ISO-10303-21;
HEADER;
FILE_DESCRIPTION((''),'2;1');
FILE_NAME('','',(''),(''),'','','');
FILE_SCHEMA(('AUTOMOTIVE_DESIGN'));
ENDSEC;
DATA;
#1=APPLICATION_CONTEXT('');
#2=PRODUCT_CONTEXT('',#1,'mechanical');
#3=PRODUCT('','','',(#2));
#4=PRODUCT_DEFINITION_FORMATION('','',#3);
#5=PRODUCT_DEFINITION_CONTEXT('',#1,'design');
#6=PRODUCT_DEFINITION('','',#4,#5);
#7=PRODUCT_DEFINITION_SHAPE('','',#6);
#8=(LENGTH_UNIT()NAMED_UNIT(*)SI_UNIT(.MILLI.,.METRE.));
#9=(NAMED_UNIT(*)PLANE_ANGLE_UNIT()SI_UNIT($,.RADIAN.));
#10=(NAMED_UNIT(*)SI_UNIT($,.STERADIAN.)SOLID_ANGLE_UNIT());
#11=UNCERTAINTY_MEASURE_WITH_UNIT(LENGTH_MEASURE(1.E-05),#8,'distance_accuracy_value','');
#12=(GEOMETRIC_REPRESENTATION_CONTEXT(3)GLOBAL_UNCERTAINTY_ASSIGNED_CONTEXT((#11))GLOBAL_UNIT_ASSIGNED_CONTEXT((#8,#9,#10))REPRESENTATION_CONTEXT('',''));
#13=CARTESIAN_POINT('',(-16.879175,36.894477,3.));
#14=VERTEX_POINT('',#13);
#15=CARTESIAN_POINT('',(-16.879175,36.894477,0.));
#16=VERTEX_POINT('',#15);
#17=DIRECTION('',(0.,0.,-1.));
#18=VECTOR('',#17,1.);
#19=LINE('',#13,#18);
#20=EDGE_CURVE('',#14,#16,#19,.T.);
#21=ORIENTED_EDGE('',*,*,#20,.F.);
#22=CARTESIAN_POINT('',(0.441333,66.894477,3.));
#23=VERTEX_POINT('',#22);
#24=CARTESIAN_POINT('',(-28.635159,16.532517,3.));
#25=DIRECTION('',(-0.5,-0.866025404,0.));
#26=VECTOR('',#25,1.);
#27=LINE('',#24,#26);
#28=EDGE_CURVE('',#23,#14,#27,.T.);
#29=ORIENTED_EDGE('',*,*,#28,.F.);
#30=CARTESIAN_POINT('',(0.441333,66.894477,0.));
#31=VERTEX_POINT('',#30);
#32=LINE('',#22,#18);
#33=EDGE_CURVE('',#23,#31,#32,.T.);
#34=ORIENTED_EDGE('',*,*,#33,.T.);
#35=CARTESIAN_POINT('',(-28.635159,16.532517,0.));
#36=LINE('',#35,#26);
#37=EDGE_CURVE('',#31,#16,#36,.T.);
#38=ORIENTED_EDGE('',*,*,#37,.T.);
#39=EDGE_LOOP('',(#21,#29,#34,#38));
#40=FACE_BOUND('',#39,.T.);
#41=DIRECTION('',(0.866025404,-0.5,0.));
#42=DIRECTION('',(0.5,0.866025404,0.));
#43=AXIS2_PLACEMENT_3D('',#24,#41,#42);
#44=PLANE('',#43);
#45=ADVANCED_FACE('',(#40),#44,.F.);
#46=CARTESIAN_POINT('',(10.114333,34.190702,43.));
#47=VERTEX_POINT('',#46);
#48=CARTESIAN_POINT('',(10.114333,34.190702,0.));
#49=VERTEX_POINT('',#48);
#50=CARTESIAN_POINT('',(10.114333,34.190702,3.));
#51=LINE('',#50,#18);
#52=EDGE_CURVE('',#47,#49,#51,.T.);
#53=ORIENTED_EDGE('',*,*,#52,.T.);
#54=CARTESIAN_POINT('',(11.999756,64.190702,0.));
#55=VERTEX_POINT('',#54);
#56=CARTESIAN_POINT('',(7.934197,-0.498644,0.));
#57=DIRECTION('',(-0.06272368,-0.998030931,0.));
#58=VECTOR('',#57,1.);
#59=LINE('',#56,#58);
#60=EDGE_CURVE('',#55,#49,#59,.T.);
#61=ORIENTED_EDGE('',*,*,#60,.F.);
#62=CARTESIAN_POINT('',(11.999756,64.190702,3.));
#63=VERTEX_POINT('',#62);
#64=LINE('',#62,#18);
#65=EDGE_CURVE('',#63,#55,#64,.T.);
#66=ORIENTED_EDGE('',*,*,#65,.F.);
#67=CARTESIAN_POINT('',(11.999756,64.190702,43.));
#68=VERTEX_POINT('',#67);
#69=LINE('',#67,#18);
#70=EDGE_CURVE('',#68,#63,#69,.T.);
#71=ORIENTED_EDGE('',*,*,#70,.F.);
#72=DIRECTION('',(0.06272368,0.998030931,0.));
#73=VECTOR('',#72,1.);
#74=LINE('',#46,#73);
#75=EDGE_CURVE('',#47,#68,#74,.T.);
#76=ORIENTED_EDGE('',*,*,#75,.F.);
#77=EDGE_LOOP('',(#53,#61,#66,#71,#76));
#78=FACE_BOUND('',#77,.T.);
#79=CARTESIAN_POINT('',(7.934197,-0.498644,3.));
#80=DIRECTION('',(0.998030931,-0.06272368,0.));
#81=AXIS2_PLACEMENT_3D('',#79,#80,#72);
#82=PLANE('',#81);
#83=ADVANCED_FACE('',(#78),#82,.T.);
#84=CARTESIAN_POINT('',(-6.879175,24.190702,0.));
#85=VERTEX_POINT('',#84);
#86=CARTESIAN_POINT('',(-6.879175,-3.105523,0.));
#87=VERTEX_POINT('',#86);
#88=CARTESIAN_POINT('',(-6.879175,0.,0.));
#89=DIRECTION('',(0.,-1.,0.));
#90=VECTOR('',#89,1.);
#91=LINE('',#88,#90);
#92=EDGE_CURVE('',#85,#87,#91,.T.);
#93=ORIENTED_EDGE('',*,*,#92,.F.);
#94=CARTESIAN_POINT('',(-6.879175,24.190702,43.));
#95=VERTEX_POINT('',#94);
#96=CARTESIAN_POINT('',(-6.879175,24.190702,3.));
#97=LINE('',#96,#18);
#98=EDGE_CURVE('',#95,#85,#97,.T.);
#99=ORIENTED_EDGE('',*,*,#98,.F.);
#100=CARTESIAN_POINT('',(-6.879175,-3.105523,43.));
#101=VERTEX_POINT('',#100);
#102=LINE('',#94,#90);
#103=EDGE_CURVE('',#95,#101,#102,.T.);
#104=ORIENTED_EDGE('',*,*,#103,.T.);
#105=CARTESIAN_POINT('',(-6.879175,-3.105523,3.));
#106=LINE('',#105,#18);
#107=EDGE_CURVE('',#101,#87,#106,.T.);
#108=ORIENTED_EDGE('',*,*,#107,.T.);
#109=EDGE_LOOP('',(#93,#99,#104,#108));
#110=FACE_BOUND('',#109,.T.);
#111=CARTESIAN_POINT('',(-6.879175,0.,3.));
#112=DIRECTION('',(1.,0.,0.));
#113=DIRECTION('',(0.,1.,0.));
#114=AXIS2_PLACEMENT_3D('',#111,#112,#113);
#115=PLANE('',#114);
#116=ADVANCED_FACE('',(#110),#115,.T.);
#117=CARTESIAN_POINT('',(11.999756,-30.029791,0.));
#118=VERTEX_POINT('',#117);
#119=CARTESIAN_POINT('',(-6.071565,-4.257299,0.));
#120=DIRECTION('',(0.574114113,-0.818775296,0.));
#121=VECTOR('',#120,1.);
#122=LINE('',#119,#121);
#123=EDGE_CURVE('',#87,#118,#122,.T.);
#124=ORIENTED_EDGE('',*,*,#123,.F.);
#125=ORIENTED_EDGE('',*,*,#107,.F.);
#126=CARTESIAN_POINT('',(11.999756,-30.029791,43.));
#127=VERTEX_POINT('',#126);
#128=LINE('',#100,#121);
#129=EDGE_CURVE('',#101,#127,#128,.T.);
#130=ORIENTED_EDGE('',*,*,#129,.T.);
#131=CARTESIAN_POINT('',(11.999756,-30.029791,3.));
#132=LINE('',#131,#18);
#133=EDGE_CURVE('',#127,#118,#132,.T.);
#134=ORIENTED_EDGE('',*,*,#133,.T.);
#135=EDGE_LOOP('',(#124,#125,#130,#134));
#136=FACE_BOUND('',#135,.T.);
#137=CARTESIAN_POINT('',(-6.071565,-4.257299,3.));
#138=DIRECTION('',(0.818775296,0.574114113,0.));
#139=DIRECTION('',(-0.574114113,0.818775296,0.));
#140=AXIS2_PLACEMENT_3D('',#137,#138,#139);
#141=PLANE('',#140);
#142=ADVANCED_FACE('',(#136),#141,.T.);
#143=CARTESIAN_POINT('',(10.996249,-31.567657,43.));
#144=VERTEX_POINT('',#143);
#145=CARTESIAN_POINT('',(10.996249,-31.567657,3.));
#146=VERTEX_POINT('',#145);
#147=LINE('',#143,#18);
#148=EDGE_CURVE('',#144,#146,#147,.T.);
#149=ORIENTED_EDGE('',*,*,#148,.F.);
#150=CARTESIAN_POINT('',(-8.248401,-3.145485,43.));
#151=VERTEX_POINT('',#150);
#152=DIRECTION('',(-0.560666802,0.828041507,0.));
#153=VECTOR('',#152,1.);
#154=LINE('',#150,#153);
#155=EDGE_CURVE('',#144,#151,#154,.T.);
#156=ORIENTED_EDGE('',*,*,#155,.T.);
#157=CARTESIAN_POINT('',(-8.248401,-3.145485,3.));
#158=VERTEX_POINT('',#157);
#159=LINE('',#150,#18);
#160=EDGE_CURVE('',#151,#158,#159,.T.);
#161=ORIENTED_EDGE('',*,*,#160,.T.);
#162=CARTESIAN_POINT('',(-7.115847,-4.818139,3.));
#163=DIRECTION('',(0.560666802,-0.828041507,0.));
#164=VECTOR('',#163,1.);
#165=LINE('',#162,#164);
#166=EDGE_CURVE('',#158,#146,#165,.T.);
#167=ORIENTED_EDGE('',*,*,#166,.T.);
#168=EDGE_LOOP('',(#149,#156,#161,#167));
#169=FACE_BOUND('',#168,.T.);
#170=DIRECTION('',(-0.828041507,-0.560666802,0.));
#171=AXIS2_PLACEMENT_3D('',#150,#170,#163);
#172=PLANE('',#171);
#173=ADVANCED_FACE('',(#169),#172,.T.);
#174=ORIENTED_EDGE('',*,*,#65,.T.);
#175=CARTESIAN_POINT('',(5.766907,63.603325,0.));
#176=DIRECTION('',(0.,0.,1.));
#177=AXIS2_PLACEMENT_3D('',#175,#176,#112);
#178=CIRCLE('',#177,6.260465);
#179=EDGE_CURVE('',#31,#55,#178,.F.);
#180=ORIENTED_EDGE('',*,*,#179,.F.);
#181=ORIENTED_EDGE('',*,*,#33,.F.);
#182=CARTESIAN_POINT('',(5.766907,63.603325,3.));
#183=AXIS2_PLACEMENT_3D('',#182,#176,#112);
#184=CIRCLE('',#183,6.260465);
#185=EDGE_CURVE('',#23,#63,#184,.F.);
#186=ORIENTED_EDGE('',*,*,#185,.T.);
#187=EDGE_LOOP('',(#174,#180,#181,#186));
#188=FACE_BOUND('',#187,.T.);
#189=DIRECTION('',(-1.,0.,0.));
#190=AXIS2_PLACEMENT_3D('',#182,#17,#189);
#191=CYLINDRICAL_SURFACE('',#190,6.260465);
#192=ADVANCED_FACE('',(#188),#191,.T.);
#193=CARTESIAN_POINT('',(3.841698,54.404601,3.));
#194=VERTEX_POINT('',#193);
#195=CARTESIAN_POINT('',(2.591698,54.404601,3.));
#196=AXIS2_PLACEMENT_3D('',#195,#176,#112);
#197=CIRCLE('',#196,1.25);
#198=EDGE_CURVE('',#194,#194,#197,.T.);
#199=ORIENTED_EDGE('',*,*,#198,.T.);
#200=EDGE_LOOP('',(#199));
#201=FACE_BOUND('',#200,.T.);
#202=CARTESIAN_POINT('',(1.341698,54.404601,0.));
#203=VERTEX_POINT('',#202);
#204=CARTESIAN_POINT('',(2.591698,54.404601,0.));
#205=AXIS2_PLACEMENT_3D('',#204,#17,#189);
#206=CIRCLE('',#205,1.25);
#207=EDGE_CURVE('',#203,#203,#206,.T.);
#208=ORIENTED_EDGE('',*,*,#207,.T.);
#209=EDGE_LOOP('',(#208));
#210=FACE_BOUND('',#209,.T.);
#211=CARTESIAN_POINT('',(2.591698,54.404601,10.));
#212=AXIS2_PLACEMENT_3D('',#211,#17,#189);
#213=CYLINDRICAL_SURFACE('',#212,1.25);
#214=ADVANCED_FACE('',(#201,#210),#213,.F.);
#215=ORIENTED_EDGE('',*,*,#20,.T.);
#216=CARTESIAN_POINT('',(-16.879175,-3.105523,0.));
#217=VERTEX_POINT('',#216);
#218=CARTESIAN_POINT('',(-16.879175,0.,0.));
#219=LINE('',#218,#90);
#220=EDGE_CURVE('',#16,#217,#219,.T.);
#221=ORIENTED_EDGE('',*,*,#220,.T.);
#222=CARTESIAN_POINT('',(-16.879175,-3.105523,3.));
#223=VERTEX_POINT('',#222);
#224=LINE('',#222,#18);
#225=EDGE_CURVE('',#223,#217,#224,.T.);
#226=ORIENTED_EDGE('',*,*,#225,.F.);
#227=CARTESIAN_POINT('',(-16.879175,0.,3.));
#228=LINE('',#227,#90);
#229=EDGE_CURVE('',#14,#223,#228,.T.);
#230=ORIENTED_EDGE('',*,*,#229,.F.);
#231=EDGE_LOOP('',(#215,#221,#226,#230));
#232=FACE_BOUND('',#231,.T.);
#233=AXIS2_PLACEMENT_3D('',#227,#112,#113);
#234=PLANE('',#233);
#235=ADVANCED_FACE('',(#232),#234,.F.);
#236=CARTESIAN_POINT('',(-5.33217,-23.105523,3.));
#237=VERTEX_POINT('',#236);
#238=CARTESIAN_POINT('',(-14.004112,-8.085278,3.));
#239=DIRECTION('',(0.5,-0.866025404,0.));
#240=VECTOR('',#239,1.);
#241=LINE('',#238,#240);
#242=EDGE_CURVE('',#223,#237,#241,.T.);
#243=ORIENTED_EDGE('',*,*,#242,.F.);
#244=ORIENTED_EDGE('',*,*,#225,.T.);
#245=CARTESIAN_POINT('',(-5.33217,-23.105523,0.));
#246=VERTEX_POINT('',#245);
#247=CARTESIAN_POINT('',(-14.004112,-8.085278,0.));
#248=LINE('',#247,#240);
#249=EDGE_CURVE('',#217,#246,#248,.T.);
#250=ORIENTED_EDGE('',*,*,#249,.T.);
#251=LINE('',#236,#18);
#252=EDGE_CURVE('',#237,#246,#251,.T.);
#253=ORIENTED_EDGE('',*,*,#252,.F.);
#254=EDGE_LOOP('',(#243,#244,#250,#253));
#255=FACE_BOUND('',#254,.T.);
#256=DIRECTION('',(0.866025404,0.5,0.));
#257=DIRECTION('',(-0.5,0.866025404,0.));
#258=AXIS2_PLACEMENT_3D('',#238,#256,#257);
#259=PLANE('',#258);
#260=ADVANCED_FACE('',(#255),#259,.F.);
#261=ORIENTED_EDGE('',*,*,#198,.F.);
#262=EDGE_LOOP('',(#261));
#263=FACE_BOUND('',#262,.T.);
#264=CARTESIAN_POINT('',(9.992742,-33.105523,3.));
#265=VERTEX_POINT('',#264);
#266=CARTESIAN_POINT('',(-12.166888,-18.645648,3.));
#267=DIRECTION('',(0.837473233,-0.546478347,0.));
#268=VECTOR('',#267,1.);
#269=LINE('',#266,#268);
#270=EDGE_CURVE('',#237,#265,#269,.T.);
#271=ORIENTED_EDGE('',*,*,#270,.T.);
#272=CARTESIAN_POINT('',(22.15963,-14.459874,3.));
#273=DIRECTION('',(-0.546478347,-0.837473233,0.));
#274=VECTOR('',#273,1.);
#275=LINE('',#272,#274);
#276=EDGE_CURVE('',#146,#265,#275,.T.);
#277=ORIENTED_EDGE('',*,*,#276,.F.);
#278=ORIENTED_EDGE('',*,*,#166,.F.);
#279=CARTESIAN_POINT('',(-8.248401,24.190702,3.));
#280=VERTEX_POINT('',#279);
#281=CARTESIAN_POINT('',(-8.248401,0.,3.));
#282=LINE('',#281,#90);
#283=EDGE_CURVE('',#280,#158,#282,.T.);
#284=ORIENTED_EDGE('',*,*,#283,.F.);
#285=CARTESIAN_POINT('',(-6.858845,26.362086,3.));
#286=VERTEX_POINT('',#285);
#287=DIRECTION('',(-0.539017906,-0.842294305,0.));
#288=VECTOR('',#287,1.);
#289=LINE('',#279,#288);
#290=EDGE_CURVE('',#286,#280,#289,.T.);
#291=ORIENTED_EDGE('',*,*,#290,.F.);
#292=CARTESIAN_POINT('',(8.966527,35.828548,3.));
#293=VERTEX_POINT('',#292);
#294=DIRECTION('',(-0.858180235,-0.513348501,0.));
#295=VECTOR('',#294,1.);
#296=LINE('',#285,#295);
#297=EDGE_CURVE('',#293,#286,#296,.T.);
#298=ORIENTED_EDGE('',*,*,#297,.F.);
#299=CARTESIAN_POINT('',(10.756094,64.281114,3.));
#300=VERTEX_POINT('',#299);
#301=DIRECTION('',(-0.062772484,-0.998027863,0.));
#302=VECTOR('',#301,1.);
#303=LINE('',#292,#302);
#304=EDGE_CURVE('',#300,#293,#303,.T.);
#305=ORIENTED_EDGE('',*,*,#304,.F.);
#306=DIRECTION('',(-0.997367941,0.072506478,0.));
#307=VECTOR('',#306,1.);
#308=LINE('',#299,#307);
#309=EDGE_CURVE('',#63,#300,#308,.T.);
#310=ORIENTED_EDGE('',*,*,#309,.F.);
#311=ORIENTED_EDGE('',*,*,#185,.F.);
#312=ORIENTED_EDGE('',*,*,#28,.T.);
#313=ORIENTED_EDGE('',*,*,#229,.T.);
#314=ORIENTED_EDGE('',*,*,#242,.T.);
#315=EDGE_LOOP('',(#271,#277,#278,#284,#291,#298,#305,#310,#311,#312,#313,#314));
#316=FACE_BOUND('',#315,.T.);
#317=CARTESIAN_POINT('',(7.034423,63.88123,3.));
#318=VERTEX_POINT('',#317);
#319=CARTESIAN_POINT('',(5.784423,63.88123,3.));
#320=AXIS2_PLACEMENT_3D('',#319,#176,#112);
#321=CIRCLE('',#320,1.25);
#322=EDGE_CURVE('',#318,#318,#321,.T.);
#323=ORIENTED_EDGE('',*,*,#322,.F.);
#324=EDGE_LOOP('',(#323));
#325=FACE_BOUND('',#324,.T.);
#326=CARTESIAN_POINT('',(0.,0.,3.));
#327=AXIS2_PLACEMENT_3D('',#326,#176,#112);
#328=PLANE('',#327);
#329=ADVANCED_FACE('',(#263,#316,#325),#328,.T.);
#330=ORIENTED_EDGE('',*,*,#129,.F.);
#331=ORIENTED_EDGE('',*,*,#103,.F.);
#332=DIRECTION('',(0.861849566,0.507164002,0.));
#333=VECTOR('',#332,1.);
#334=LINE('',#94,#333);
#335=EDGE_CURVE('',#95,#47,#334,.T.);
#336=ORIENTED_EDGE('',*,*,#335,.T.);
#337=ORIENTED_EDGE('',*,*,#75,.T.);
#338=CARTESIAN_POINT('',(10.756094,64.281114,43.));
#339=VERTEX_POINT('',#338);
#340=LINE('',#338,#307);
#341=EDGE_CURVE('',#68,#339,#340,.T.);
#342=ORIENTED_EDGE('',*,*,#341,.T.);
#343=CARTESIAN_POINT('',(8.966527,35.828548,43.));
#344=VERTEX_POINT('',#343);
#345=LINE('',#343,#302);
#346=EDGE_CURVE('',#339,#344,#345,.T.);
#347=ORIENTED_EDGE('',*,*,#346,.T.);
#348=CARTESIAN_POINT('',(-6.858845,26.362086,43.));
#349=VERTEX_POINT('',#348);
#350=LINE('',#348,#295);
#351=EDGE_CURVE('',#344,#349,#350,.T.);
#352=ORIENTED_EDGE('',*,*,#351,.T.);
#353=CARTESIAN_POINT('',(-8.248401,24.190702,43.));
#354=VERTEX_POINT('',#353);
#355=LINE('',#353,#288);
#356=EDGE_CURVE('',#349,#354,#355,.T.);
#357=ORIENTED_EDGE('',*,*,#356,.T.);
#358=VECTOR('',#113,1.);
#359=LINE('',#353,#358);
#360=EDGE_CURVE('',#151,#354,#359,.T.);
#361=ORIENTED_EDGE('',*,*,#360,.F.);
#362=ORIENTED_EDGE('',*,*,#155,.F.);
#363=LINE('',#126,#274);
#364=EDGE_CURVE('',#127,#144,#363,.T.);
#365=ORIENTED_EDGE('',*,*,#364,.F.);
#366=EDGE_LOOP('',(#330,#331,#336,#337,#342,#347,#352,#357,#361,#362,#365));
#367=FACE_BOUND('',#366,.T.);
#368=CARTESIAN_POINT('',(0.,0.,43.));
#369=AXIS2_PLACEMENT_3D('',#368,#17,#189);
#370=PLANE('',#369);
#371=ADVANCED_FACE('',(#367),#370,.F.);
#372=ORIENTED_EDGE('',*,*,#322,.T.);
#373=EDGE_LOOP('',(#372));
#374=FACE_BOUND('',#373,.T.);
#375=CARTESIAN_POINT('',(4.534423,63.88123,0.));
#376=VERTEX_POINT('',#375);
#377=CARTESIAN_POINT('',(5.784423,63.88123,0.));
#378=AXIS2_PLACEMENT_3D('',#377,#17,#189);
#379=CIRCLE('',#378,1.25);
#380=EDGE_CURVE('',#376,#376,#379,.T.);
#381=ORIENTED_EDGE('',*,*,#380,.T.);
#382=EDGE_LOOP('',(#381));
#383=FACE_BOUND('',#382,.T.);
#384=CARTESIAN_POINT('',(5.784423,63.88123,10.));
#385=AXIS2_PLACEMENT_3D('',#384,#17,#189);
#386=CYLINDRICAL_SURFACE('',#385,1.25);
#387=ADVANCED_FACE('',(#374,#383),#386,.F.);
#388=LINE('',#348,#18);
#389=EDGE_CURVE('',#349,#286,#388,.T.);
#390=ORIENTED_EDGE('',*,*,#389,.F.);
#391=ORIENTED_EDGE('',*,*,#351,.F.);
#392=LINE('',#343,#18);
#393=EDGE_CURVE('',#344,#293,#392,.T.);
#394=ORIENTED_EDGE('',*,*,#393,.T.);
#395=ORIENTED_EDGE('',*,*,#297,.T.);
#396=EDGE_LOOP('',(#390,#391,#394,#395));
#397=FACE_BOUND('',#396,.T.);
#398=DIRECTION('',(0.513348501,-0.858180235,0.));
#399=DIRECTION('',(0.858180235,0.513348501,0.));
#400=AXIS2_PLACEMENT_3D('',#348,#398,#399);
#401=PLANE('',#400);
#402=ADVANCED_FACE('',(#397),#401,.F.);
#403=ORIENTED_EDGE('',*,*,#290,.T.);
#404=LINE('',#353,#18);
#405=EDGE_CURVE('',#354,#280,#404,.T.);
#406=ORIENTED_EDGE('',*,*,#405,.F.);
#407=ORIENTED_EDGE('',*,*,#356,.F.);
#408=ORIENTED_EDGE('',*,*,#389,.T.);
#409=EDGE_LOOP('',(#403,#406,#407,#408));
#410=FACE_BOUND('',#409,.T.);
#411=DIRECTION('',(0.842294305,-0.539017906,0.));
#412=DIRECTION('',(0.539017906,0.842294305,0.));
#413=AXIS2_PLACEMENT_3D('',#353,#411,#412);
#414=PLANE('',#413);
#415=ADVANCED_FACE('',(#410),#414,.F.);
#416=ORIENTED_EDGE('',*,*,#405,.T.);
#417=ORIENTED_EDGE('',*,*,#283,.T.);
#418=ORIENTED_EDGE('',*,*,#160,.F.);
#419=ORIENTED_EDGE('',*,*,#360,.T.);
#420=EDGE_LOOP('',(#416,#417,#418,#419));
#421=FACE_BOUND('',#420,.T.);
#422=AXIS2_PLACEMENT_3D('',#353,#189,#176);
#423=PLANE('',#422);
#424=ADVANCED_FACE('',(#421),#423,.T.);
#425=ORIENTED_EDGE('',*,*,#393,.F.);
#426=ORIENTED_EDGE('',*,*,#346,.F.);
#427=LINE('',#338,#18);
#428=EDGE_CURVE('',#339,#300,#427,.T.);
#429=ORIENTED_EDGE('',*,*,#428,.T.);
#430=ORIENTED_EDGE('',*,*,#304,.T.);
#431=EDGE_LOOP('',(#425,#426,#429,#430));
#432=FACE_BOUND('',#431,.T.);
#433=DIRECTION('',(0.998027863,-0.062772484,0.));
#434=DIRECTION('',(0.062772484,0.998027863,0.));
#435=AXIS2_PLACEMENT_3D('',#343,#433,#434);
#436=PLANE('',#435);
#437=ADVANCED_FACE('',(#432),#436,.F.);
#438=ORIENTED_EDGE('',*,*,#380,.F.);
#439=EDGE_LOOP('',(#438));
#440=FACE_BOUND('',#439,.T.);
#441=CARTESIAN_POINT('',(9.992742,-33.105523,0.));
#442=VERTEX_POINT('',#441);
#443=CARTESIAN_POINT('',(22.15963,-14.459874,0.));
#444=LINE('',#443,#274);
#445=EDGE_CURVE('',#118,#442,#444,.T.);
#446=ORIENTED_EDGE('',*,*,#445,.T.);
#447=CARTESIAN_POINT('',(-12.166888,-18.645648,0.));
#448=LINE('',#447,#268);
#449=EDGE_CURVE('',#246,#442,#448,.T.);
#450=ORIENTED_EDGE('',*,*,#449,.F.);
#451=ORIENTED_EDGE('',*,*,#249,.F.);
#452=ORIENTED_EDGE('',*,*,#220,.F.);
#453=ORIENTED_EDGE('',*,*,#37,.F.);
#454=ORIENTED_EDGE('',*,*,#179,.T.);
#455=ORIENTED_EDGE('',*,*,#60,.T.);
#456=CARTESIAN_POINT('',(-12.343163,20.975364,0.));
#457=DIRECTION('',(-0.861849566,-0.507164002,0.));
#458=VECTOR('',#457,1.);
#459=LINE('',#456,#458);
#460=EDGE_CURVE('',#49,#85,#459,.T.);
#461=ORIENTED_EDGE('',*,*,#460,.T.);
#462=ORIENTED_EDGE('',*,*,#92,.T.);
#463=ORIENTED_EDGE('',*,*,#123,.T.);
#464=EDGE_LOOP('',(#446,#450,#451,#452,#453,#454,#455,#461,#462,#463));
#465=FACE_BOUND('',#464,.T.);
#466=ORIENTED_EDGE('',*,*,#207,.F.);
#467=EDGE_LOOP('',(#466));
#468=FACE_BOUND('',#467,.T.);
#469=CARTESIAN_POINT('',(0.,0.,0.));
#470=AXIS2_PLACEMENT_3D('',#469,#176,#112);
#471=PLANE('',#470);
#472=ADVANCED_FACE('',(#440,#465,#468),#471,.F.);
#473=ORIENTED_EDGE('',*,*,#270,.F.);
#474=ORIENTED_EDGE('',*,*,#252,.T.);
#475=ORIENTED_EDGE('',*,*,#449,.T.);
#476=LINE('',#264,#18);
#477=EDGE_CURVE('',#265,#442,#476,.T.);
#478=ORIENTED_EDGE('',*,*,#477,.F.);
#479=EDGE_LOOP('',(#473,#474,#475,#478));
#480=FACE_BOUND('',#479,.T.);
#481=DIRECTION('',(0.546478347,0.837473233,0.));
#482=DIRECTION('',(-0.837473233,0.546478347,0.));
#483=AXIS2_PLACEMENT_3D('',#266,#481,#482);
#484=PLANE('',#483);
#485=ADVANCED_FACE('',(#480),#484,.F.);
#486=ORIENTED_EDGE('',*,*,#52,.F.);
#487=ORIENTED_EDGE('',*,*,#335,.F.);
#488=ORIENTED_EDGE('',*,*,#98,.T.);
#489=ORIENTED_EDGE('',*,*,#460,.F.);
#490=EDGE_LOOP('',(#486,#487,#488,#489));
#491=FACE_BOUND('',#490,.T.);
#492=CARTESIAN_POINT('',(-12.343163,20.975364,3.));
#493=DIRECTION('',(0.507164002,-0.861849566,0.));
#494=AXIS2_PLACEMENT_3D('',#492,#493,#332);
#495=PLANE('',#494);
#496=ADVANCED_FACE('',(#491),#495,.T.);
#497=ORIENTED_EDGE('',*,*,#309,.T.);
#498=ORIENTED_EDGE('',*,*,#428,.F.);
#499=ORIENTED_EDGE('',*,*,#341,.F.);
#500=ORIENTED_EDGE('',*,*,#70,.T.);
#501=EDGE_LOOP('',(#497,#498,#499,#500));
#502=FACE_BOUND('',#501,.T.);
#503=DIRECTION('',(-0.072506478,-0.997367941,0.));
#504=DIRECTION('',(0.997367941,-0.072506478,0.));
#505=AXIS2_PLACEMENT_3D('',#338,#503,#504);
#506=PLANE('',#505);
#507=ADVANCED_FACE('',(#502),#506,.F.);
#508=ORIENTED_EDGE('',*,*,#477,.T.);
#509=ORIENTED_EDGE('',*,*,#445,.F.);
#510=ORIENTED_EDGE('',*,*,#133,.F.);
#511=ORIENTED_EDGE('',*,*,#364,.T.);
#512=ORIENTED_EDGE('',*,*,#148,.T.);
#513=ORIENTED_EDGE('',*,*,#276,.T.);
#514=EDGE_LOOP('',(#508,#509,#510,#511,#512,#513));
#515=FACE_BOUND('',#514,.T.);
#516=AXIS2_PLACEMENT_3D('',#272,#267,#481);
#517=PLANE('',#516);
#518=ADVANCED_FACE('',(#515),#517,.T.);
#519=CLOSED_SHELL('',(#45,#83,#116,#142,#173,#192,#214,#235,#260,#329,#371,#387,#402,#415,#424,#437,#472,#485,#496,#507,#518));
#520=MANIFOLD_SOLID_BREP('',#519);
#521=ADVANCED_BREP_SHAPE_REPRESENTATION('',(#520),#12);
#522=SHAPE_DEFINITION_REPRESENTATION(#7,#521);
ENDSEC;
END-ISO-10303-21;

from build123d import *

# Parameters (mm, degrees)
EXTRUDE_4_DEPTH     = 3
EXTRUDE_6_DEPTH     = 43
EXTRUDE_7_DEPTH     = 40
EXTRUDE_8_DEPTH     = 40
SKETCH_14_R         = 1.25
CUT_EXTRUDE_3_DEPTH = 10


with BuildPart() as part:
    # 草图1 → 凸台-拉伸4 (new body)
    with BuildSketch(Plane.XY):
        with BuildLine():
            ThreePointArc((11.999755772, 64.190702015), (7.19287537, 69.699227744), (0.441332655, 66.894477154))
            Line((0.441332655, 66.894477154), (-16.87917542, 36.894477154))
            Line((-16.87917542, 36.894477154), (-16.87917542, -3.105522846))
            Line((-16.87917542, -3.105522846), (-5.332170037, -23.105522846))
            Line((-5.332170037, -23.105522846), (9.992741519, -33.105522846))
            Line((9.992741519, -33.105522846), (11.999755772, -30.029791253))
            Line((11.999755772, -30.029791253), (-6.87917542, -3.105522846))
            Line((-6.87917542, -3.105522846), (-6.87917542, 14.190702015))
            Line((-6.87917542, 14.190702015), (-6.87917542, 24.190702015))
            Line((-6.87917542, 24.190702015), (10.114332844, 34.190702015))
            Line((10.114332844, 34.190702015), (11.999755772, 64.190702015))
        make_face()
    extrude(amount=EXTRUDE_4_DEPTH)

    # 草图6 → 凸台-拉伸6 (add)
    with BuildSketch(Plane(origin=(0, 0, 0), x_dir=(-1, 0, 0), z_dir=(0, 0, -1))):
        Polygon((6.87917542, 24.190702015), (8.248400541, 24.190702015), (8.248400541, -3.145484966), (-10.996248645, -31.567657049), (-11.999755772, -30.029791253), (6.87917542, -3.105522846), align=None)
    extrude(amount=-EXTRUDE_6_DEPTH)

    # 草图9 → 凸台-拉伸7 (add)
    with BuildSketch(Plane.XY.offset(3)):
        Polygon((-8.248400541, 24.190702015), (-6.858844556, 26.362086453), (8.966526684, 35.828548473), (10.114332844, 34.190702015), (-6.87917542, 24.190702015), align=None)
    extrude(amount=EXTRUDE_7_DEPTH)

    # 草图11 → 凸台-拉伸8 (add)
    with BuildSketch(Plane.XY.offset(3)):
        Polygon((8.966526684, 35.828548473), (10.756094136, 64.281113509), (11.999755772, 64.190702015), (10.114332844, 34.190702015), align=None)
    extrude(amount=EXTRUDE_8_DEPTH)

    # 草图14 → 切除-拉伸3 (cut)
    with BuildSketch(Plane(origin=(0, 0, 0), x_dir=(-1, 0, 0), z_dir=(0, 0, -1))):
        with Locations((-2.591697764, 54.404600603)):
            Circle(SKETCH_14_R)
        with Locations((-5.784422652, 63.881230161)):
            Circle(SKETCH_14_R)
    extrude(amount=-CUT_EXTRUDE_3_DEPTH, mode=Mode.SUBTRACT)


solid = part.part
